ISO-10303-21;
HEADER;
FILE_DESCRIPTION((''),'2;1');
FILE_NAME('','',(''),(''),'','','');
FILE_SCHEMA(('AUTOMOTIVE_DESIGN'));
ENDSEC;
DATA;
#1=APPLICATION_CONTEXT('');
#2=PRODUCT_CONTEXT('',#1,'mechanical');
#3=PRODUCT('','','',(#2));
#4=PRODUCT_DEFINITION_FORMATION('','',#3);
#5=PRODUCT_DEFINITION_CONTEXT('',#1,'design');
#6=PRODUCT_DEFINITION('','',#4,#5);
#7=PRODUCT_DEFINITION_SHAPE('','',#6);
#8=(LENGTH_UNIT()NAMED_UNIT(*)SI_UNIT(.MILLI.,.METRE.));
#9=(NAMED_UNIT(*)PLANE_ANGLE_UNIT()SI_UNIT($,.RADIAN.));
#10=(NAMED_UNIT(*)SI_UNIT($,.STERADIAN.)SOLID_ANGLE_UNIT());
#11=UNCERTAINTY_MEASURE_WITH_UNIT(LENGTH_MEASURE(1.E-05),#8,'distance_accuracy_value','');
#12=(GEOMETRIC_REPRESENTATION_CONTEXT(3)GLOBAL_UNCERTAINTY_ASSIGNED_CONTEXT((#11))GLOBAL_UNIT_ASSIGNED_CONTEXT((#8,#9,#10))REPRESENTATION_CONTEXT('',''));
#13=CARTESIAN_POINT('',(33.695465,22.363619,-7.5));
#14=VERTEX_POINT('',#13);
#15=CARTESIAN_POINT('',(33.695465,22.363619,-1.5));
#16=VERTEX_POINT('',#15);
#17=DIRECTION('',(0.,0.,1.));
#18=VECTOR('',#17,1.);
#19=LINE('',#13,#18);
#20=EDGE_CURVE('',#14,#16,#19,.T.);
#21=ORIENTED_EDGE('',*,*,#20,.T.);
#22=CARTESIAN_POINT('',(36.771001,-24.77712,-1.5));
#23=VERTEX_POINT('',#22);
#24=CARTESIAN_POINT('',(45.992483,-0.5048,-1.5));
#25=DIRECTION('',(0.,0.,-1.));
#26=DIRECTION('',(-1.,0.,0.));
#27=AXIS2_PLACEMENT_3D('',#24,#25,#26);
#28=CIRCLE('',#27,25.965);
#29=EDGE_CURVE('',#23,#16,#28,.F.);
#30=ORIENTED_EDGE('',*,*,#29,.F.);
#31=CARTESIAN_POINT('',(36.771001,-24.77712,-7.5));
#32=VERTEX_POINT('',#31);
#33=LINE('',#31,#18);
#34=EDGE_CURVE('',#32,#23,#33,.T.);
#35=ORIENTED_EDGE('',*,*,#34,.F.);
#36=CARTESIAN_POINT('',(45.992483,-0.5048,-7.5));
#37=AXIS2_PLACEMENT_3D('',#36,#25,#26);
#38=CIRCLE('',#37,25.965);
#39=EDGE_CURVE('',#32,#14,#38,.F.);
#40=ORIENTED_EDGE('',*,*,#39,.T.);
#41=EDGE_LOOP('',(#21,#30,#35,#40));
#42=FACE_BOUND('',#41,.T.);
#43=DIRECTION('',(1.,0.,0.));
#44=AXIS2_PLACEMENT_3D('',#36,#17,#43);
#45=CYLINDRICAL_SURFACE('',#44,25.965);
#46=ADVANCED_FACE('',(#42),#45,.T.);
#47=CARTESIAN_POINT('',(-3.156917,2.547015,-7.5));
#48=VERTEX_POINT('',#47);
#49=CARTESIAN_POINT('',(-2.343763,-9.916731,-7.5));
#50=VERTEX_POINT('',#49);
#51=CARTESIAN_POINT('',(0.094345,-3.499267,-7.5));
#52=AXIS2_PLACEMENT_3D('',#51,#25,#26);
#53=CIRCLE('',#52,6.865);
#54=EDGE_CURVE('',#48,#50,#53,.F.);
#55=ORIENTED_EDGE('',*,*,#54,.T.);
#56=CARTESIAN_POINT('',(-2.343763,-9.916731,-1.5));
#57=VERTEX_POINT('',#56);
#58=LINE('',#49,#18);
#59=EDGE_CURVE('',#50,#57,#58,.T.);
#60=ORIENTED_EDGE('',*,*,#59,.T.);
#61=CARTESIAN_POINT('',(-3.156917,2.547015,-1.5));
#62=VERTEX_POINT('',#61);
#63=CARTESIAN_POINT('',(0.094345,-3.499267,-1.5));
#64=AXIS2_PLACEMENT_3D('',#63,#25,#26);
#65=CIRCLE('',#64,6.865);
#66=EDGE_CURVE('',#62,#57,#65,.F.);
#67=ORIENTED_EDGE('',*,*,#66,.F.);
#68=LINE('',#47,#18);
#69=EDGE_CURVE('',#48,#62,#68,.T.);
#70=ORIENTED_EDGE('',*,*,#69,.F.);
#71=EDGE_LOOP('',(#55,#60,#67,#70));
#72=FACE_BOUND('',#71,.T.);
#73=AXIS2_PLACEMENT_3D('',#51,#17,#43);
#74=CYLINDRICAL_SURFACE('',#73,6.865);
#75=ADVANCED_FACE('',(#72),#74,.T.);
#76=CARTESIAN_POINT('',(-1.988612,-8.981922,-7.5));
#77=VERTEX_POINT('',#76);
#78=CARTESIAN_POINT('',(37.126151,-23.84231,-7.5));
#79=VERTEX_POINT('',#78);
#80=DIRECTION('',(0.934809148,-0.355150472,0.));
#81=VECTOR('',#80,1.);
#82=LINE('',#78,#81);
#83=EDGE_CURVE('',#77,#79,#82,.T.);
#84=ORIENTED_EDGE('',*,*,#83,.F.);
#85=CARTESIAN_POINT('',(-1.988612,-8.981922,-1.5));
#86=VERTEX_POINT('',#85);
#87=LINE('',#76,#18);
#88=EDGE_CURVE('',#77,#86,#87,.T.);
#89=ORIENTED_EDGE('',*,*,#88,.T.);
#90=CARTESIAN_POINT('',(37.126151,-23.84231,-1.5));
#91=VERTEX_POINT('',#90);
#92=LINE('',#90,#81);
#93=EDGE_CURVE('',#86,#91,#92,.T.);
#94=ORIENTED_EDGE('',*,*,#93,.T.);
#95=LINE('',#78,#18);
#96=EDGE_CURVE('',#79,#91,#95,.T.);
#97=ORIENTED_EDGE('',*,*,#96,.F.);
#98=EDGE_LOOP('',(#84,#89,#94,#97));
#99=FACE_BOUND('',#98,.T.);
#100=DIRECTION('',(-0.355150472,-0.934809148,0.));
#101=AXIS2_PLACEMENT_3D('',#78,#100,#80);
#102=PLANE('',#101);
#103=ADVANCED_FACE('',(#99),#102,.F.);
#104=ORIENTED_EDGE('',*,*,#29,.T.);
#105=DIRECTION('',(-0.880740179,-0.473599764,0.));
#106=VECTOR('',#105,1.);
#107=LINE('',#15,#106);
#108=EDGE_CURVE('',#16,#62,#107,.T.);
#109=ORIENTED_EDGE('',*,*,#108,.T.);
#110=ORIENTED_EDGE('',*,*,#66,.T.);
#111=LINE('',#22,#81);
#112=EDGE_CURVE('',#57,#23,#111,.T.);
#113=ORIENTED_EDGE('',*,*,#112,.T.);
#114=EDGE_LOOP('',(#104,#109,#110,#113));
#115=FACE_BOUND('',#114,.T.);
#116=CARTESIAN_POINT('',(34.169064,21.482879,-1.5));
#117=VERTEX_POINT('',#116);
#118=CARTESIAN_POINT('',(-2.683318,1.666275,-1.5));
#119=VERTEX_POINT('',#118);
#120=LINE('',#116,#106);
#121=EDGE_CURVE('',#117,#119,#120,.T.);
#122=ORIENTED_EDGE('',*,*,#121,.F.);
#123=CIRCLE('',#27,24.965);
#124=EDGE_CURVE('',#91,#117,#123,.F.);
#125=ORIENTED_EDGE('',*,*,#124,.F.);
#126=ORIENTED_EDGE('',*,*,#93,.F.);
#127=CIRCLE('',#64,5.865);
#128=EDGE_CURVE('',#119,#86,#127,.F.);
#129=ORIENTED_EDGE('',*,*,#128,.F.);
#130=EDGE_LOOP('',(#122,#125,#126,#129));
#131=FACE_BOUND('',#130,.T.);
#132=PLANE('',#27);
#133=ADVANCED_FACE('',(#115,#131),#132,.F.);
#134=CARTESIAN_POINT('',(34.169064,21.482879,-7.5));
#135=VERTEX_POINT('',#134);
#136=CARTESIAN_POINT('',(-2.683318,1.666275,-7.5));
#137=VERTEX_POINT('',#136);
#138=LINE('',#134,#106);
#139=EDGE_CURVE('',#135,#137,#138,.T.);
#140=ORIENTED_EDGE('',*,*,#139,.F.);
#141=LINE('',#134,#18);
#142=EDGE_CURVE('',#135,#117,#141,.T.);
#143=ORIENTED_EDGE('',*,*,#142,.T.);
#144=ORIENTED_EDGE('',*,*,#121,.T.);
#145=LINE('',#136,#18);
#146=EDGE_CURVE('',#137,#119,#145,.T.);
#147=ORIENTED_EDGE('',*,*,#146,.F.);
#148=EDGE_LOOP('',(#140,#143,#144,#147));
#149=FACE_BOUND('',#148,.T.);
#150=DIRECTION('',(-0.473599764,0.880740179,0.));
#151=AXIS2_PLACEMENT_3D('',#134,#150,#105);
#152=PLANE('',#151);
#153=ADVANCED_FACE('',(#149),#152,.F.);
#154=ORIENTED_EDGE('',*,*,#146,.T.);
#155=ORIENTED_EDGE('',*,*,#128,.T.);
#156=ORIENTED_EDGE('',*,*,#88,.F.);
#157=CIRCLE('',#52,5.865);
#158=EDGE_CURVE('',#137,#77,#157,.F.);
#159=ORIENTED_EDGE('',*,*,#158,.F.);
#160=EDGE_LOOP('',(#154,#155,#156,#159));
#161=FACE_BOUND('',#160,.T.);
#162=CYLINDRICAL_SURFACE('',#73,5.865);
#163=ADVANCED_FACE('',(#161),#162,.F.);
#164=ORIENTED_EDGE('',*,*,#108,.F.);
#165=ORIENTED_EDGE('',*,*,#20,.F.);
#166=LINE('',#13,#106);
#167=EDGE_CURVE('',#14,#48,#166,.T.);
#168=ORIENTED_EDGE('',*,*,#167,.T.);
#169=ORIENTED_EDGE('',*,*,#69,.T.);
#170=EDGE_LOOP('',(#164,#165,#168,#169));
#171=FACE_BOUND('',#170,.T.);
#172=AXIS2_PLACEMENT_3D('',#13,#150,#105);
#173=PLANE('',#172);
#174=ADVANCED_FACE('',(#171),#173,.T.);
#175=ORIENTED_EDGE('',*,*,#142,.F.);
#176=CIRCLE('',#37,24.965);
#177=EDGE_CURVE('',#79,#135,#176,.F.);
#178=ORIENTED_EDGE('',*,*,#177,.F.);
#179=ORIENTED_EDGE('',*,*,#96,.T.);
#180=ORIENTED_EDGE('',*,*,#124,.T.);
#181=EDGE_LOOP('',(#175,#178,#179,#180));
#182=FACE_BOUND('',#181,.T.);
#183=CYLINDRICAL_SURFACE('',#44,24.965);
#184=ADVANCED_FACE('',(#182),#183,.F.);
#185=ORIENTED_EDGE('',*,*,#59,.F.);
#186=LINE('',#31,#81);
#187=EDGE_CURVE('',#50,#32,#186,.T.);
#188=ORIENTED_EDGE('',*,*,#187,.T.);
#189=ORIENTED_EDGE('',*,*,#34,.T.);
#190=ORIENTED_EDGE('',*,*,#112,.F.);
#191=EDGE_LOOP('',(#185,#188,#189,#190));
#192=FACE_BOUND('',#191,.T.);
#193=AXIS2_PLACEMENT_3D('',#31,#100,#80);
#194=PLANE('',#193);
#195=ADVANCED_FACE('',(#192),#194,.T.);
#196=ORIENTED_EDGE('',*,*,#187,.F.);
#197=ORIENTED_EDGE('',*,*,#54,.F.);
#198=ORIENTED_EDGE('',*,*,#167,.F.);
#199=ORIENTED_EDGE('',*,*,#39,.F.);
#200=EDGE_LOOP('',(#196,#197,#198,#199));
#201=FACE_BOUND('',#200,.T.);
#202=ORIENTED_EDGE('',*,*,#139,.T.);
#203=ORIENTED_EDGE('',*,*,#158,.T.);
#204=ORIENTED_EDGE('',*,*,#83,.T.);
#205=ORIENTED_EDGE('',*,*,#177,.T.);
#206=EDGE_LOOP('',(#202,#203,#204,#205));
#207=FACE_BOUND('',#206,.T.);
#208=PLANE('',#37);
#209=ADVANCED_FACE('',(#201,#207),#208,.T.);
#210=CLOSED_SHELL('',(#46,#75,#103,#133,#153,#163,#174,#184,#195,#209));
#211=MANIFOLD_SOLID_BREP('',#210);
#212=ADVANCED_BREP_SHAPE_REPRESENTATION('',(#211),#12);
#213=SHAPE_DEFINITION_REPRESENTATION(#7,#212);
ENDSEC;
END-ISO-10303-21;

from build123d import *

# Parameters (mm, degrees)
EXTRUDE_THIN1_START = -1.5
EXTRUDE_THIN1_DEPTH = 6


with BuildPart() as part:
    # Sketch2 → Extrude-Thin1 (new body)
    with BuildSketch(Plane.XY.offset(EXTRUDE_THIN1_START)):
        with BuildLine():
            Line((-3.156917352, 2.547014688), (33.695464656, 22.363618757))
            ThreePointArc((33.695464656, 22.363618757), (71.902398785, 1.185603667), (36.771000527, -24.777119516))
            Line((36.771000527, -24.777119516), (-2.343762961, -9.916731441))
            ThreePointArc((-2.343762961, -9.916731441), (-6.75609114, -3.946199867), (-3.156917352, 2.547014688))
        make_face()
        with BuildLine():
            Line((-2.683317588, 1.666274509), (34.16906442, 21.482878578))
            ThreePointArc((34.16906442, 21.482878578), (70.904520247, 1.120500503), (37.126150999, -23.842310369))
            Line((37.126150999, -23.842310369), (-1.988612489, -8.981922293))
            ThreePointArc((-1.988612489, -8.981922293), (-5.758212601, -3.881096703), (-2.683317588, 1.666274509))
        make_face(mode=Mode.SUBTRACT)
    extrude(amount=-EXTRUDE_THIN1_DEPTH)


solid = part.part
